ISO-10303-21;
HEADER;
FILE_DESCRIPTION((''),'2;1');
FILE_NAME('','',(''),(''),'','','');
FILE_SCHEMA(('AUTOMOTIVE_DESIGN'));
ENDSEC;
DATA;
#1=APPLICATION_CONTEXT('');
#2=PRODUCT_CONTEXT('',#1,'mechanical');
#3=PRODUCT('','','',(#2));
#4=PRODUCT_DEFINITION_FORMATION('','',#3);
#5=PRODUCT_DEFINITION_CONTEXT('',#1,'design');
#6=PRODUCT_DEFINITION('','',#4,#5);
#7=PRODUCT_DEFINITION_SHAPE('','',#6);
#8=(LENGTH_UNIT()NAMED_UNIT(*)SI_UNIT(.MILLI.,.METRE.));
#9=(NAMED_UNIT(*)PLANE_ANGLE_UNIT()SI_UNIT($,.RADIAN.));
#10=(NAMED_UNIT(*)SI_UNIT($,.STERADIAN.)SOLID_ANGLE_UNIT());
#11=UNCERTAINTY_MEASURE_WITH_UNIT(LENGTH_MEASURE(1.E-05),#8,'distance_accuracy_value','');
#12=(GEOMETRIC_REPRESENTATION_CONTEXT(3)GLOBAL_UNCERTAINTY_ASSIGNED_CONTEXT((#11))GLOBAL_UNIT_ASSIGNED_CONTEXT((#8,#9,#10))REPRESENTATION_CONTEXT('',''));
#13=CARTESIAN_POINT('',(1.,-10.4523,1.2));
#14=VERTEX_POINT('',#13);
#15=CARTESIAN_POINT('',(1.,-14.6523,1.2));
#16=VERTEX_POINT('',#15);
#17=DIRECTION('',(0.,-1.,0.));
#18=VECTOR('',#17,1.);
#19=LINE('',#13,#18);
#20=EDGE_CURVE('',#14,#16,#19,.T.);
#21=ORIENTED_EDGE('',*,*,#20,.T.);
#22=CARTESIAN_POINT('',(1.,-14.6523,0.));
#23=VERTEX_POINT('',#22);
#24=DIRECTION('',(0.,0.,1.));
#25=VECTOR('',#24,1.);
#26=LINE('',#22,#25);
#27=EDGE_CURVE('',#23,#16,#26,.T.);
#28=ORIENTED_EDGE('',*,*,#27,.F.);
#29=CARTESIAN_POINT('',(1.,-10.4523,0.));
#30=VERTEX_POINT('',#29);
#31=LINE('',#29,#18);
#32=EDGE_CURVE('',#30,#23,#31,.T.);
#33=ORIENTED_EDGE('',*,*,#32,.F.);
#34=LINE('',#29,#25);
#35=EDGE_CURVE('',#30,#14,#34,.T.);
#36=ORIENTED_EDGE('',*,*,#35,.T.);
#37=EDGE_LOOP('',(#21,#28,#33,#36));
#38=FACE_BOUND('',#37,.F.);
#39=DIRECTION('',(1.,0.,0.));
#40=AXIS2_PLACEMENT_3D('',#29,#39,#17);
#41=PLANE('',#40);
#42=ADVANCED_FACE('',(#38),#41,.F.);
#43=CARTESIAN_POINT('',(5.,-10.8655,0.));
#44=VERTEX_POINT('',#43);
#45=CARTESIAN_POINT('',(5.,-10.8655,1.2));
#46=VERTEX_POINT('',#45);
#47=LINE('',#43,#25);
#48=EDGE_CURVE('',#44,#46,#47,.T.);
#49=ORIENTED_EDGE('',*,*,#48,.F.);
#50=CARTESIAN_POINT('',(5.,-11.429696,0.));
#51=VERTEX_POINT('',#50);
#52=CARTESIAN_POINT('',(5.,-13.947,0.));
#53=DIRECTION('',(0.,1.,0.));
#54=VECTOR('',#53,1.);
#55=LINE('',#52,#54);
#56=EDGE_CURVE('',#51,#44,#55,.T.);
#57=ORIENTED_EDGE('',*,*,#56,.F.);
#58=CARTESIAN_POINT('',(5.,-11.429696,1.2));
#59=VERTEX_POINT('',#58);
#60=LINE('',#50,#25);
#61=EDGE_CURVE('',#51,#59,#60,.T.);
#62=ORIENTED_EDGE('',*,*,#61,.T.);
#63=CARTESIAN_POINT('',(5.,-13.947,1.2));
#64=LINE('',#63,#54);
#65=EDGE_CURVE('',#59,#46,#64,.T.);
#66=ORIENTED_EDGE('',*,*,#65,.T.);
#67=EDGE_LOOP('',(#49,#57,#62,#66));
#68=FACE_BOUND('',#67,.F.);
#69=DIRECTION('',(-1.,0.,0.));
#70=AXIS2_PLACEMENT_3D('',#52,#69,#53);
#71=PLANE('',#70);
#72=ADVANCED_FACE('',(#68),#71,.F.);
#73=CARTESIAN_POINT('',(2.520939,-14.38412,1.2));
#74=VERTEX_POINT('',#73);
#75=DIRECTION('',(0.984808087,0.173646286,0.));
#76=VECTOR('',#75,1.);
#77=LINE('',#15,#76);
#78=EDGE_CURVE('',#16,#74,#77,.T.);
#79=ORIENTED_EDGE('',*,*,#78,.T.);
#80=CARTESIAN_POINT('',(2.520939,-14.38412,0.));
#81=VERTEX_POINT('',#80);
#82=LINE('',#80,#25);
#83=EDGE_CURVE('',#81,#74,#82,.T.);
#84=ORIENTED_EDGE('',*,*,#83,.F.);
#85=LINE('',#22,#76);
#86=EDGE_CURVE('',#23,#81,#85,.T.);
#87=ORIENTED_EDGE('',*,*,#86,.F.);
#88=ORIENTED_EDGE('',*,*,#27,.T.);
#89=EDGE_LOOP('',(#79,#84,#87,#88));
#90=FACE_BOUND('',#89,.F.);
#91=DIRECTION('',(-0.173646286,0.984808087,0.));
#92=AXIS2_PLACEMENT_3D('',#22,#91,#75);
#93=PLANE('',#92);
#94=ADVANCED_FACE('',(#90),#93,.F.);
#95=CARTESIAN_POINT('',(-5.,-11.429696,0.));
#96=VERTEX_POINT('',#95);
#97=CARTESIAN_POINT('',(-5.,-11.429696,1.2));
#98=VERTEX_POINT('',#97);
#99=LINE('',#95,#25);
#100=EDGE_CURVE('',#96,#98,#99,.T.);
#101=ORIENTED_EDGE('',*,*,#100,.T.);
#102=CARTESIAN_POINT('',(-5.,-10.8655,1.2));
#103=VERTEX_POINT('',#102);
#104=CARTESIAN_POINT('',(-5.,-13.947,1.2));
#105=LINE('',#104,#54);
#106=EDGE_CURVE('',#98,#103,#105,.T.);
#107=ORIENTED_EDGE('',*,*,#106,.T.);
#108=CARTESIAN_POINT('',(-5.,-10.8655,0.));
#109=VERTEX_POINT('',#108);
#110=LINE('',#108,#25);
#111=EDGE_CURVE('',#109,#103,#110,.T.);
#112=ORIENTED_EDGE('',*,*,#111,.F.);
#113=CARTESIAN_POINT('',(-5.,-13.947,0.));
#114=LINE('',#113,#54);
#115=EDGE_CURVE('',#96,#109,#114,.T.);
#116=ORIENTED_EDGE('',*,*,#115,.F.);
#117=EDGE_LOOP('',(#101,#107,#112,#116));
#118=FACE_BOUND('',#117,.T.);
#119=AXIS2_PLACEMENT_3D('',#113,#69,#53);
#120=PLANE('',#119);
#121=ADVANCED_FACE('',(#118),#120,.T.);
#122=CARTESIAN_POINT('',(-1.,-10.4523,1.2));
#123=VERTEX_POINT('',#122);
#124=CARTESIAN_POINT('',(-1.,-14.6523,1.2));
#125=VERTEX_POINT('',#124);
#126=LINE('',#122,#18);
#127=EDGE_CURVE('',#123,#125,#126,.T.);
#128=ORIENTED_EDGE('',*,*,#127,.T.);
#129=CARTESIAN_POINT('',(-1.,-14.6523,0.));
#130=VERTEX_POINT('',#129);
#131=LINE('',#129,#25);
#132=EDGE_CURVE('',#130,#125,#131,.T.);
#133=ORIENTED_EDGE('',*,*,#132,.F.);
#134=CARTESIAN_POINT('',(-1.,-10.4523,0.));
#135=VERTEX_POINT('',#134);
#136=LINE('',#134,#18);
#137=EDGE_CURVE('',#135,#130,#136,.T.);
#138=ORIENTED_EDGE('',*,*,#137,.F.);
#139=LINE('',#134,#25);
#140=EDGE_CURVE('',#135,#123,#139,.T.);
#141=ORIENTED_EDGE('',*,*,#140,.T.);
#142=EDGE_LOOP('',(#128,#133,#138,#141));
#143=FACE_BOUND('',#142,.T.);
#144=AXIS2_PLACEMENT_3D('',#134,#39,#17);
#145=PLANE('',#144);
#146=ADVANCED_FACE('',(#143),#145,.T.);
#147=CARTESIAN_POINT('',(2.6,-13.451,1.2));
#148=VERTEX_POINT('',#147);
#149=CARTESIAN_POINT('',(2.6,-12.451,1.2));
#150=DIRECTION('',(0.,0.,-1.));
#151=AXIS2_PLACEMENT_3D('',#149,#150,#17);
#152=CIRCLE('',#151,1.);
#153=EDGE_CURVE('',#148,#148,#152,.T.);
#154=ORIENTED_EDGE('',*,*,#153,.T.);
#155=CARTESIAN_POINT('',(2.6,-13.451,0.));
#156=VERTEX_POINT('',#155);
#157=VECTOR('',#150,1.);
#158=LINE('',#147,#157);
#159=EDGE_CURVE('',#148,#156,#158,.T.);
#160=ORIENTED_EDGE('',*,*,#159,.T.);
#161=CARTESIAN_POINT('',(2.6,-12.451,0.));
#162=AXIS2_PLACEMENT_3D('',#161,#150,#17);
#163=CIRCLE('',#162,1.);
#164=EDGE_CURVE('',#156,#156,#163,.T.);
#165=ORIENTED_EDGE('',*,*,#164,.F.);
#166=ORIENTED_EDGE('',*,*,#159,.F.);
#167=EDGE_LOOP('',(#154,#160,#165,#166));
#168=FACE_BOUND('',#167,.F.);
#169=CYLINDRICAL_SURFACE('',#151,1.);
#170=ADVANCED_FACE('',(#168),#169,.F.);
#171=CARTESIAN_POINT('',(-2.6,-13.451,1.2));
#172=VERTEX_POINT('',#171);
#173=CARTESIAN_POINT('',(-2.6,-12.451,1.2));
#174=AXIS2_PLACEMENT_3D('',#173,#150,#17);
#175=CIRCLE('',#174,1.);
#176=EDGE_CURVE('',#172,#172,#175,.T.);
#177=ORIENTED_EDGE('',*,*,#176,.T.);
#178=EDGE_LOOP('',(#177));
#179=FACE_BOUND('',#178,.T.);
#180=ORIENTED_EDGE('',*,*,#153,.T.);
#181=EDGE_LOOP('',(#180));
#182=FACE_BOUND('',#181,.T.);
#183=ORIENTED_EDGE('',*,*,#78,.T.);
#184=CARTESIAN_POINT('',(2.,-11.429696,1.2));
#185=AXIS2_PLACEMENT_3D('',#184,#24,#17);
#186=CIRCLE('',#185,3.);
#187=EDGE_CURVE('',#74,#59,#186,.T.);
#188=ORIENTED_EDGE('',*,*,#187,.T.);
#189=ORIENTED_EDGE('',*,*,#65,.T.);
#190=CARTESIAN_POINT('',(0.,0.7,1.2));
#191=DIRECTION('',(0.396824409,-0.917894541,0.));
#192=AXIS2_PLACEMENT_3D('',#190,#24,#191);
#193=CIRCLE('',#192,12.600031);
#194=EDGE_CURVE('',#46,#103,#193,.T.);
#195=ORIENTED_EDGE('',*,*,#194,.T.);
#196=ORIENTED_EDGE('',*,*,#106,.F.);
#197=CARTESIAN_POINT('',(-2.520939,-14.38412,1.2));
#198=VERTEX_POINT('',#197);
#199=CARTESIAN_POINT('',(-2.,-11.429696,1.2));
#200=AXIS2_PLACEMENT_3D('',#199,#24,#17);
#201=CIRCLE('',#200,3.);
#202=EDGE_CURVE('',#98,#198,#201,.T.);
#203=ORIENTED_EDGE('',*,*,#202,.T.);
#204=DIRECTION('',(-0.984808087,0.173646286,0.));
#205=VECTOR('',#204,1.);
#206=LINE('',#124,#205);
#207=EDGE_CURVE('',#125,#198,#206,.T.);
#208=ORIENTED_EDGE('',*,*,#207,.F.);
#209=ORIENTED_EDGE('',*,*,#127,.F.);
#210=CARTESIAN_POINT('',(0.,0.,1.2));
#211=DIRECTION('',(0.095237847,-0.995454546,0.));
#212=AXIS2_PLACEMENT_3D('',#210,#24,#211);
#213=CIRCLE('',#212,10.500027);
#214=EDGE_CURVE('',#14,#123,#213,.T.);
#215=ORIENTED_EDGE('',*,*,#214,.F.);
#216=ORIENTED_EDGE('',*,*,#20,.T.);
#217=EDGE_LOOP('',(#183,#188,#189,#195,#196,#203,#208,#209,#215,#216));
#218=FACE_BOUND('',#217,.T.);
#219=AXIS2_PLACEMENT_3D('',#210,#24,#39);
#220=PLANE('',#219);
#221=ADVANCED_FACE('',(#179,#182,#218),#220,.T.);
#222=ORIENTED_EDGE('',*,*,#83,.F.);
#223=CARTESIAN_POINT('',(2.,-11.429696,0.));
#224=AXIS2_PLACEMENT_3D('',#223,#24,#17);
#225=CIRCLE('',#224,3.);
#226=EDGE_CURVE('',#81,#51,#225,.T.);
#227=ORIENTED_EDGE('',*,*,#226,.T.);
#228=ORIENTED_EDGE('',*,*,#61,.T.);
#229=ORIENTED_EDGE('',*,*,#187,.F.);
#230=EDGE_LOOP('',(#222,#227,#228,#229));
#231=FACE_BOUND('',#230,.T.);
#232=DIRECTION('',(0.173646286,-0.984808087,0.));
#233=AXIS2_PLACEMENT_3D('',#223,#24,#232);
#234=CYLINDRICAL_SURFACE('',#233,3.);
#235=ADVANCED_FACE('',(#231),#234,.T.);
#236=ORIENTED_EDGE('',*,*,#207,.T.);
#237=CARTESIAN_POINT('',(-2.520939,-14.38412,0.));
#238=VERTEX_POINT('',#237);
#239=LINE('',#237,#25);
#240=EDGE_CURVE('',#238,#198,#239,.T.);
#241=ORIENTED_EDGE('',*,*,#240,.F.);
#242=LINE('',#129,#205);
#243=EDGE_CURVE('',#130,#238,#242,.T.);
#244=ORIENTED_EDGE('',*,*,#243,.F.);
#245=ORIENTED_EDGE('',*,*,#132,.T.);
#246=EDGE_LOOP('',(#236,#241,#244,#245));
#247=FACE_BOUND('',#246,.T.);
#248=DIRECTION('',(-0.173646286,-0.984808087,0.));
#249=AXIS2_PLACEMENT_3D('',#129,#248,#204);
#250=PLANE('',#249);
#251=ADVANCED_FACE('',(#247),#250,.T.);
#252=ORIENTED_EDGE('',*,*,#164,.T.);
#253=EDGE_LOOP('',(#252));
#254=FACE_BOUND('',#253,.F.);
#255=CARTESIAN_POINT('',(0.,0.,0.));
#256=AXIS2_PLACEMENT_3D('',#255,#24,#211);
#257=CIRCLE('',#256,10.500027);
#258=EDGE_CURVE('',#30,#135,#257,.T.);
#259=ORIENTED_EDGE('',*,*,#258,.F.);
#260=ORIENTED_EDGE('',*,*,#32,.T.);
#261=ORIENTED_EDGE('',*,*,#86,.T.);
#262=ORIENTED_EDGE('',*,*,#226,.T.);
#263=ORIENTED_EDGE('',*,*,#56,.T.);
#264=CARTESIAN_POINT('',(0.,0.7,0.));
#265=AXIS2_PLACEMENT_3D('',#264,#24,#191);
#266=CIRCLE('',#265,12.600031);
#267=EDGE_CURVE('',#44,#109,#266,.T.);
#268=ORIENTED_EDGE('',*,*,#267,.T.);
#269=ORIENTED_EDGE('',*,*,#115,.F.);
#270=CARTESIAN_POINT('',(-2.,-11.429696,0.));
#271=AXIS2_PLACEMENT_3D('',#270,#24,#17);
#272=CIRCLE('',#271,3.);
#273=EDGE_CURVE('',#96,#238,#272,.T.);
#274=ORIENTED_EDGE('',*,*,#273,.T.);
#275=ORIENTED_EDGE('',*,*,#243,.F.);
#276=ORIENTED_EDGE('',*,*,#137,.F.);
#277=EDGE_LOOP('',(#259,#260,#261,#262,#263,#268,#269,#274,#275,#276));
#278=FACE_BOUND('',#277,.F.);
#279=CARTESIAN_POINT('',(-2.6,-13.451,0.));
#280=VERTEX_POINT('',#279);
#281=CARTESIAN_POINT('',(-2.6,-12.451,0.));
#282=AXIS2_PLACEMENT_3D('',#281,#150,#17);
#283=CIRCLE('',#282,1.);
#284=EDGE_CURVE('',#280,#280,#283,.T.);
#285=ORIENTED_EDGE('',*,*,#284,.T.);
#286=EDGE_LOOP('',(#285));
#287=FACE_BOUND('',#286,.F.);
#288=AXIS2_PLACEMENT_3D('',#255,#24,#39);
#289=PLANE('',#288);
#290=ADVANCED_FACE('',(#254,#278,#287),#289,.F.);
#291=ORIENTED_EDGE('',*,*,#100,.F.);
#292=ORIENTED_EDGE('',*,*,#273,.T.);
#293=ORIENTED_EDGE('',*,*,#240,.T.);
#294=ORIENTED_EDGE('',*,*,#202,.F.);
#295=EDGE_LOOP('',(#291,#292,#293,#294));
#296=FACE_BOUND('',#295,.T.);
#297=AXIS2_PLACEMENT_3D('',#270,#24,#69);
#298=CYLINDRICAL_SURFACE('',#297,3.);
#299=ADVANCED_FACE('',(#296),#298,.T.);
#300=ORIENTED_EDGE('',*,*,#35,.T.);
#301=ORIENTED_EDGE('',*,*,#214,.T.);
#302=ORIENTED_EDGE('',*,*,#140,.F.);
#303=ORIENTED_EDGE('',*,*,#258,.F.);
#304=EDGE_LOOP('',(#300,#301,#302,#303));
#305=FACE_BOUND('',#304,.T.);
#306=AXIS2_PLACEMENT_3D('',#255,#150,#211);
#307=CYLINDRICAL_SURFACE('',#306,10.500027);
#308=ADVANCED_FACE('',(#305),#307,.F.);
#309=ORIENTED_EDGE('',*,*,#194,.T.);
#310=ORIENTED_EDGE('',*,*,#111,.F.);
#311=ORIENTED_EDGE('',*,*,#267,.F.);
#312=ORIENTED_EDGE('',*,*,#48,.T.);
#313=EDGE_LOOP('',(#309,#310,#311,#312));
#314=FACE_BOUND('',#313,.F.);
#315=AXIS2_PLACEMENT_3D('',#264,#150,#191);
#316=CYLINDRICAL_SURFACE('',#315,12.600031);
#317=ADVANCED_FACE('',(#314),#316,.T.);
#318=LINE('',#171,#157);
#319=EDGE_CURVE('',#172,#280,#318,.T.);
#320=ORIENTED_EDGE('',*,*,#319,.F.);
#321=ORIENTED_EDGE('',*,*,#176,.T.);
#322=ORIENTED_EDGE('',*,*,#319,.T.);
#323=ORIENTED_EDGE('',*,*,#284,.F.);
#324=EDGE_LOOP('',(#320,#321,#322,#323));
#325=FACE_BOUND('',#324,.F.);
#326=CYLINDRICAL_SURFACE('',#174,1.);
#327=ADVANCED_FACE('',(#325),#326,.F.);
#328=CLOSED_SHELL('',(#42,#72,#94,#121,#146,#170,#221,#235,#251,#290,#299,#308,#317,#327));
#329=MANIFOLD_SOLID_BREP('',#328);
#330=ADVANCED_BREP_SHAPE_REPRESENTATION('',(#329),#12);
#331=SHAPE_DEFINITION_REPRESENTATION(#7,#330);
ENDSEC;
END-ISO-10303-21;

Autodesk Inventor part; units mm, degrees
ref_plane "WorkPlane1" through (0, 0, 0) normal (0, 0, 1) x (1, 0, 0)
ref_plane "Work Plane2" through (0, 0, -1.2) normal (0, 0, 1) x (1, 0, 0)
ref_plane "WorkPlane2" through (0, 0, 1.5) normal (0, 0, 1) x (1, 0, 0)
sketch "Boceto1" plane through (0, 0, 0) normal (0, 0, 1) x (1, 0, 0)
  point P0 (0, 0)
sketch "Boceto2" plane through (0, 0, 0) normal (0, 0, 1) x (1, 0, 0)
  line L0 (5, -13.947) -> (5, -10.8655)
  line L1 (1, -14.6523) -> (5, -13.947)
  line L2 (1, -10.4523) -> (1, -14.6523)
  arc A0 (1, -10.4523) -> (-1, -10.4523) centre (0, 0) ccw
  line L3 (-1, -10.4523) -> (-1, -14.6523)
  line L4 (-1, -14.6523) -> (-5, -13.947)
  line L5 (-5, -13.947) -> (-5, -10.8655)
  arc A1 (5, -10.8655) -> (-5, -10.8655) centre (0, 0.7) ccw
  dimension "d2" = 10.5
  dimension "d4" = 12.6
  dimension "d6" = 0
  dimension "d8" = 1
  dimension "d10" = 1
  dimension "d12" = 4.2
  dimension "d14" = 4.2
  dimension "d16" = 80
  dimension "d18" = 80
  dimension "d20" = 4
  dimension "d22" = 4
  dimension "d24" = 0.7
  dimension "d52" = 0
  dimension "d53" = 0
extrude "Extrusión1" add sketch "Boceto2" along normal blind 1.2
sketch "Boceto3" plane through (0, 0, 1.2) normal (0, 0, 1) x (1, 0, 0)
  line L0 (-1, -10.4523) -> (-1, -14.6523) projected
  line L1 (-1, -14.6523) -> (-5, -13.947) projected
  point P0 (-2.6, -12.451)
  dimension "d30" = 1.6
  dimension "d32" = 1.89
hole "Agujero1" at (-2.6, -12.451, 1.2) direction (0, 0, -1) diameter 2 end through all
sketch "Boceto4" plane through (0, 0, 1.2) normal (0, 0, 1) x (1, 0, 0)
  line L0 (1, -14.6523) -> (1, -10.4523) projected
  line L1 (5, -13.947) -> (1, -14.6523) projected
  point P0 (2.6, -12.451)
  dimension "d41" = 1.6
  dimension "d43" = 1.89
hole "Agujero2" at (2.6, -12.451, 1.2) direction (0, 0, -1) diameter 2 end through all
fillet "Empalme1" radius 3 2 edges at (-5, -13.947, 0.6) (5, -13.947, 0.6)
equation "\"d2\" = 0.5 * Diam2"
equation "\"d4\" = 0.166667 * ParA + 0.5 * Diam2 + 0.5 * b"
equation "\"d8\" = 0.5 * Diam5"
equation "\"d10\" = 0.5 * Diam5"
equation "\"d12\" = ParA"
equation "\"d14\" = ParA"
equation "\"d20\" = 2 * Diam5"
equation "\"d22\" = 2 * Diam5"
equation "\"d24\" = -msp_r2 + 0.5 * Diam2 + b"
equation "\"d25\" = ParS"
equation "\"d30\" = 0.8 * Diam5"
equation "\"d32\" = 0.45 * ParA"
equation "\"d33\" = Diam5"
equation "\"d41\" = 0.8 * Diam5"
equation "\"d43\" = 0.45 * ParA"
equation "\"d44\" = Diam5"
equation "\"d51\" = 1.5 * Diam5"
equation "\"Diam5\" = 2"
equation "\"ParA\" = 4.2"
equation "\"ParS\" = 1.2"
equation "\"Diam2\" = 21"
equation "\"msp_r2\" = 0.166667 * ParA + 0.5 * Diam2 + 0.5 * b"
equation "\"TEMPLATE\" = 1.2345"
properties part number "DIN 471 - 22x1,2" material "Acero, suave"
